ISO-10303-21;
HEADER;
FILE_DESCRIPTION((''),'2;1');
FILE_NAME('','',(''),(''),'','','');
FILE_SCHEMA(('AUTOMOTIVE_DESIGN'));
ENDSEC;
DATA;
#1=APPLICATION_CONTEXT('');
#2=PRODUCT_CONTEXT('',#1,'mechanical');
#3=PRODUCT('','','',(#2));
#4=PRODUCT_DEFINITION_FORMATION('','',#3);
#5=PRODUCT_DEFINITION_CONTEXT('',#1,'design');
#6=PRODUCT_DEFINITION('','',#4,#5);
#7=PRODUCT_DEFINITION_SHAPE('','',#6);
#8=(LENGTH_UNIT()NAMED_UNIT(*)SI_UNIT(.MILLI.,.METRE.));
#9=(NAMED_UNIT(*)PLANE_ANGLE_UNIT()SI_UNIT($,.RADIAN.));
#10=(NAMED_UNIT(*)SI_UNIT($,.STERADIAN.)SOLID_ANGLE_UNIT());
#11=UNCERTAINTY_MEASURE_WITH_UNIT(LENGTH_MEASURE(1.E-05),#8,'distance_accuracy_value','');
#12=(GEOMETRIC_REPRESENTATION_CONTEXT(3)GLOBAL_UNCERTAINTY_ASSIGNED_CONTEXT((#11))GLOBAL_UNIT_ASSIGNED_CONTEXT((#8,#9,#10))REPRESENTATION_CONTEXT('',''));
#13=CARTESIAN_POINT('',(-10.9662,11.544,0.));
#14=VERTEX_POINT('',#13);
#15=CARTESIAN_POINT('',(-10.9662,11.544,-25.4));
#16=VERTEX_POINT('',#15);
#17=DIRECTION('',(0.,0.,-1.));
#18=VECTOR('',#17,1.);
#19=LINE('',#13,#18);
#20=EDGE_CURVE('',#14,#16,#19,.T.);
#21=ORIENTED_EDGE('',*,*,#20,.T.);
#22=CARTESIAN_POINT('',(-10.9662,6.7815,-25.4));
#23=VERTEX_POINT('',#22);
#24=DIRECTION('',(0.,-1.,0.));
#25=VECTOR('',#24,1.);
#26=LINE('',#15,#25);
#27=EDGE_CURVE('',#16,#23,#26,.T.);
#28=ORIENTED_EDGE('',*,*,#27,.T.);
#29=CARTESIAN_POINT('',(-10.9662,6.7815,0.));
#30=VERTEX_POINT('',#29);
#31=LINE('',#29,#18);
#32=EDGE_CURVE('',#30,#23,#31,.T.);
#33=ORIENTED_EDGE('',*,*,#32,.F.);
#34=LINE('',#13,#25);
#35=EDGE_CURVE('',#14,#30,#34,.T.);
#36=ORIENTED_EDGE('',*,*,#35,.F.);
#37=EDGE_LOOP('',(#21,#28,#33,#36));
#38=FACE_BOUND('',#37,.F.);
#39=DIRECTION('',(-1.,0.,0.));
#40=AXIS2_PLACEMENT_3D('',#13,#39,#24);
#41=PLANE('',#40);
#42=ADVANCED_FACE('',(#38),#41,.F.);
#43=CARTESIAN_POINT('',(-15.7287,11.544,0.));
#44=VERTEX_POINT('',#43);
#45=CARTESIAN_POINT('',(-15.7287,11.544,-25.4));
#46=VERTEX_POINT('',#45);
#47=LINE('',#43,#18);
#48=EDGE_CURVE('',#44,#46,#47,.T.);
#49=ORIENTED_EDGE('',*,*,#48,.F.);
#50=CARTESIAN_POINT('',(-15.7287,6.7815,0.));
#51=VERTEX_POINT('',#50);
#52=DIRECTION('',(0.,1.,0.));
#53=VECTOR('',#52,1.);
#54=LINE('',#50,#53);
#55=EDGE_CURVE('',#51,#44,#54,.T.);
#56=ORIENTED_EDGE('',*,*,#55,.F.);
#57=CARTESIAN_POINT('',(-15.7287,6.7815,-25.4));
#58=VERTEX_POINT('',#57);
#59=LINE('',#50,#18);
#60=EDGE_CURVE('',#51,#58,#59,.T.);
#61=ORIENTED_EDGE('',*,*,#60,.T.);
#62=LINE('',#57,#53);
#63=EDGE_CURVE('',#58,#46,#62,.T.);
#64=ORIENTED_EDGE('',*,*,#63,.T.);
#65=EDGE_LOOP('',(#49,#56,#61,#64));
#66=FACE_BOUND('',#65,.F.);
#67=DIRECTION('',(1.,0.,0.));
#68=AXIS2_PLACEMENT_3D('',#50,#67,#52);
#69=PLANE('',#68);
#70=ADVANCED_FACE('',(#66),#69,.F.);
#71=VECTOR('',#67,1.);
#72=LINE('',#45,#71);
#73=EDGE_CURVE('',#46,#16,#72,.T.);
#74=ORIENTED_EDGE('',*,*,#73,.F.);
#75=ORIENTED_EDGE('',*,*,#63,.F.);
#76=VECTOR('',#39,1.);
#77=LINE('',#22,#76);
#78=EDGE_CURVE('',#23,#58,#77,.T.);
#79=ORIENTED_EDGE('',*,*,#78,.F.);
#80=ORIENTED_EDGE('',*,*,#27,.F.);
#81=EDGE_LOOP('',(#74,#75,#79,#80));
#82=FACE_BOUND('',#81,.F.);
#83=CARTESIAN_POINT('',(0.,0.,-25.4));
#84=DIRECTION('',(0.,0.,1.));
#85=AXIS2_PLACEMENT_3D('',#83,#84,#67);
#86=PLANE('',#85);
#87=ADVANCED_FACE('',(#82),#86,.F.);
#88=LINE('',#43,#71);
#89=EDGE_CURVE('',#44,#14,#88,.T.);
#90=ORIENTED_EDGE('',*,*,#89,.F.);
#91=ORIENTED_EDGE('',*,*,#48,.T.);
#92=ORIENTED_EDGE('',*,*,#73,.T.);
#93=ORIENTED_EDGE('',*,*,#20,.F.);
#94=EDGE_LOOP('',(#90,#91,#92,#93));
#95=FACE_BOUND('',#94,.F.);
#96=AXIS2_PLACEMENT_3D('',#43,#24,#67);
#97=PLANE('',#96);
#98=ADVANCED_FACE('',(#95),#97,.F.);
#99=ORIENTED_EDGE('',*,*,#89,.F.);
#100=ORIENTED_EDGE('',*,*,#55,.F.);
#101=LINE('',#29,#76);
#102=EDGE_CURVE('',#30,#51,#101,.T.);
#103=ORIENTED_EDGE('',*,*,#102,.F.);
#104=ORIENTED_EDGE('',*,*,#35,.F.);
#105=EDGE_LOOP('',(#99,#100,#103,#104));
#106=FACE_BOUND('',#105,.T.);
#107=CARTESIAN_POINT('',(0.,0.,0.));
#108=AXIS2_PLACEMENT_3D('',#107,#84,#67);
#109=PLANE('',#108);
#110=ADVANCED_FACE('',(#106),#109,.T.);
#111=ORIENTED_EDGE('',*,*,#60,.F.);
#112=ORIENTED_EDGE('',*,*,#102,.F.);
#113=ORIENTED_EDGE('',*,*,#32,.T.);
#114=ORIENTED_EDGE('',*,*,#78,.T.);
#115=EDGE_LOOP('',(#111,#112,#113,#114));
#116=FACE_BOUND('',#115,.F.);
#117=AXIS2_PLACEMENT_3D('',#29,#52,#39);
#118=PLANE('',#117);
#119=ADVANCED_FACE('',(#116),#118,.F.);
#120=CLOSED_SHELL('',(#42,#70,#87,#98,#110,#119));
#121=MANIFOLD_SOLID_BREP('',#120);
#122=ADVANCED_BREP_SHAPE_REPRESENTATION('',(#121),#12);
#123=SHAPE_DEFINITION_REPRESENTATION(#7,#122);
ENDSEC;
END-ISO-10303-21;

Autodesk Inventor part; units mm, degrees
ref_plane "YZ Plane" through (0, 0, 0) normal (1, 0, 0) x (0, 1, 0)
ref_plane "XZ Plane" through (0, 0, 0) normal (0, 1, 0) x (-1, 0, 0)
ref_plane "XY Plane" through (0, 0, 0) normal (0, 0, 1) x (1, 0, 0)
sketch "Sketch1" plane through (0, 0, 0) normal (0, 0, 1) x (1, 0, 0)
  line L0 (-15.7287, 11.544) -> (-10.9662, 11.544)
  line L1 (-10.9662, 11.544) -> (-10.9662, 6.7815)
  line L2 (-10.9662, 6.7815) -> (-15.7287, 6.7815)
  line L3 (-15.7287, 6.7815) -> (-15.7287, 11.544)
  point P0 (0, 0)
  dimension "d0" = 4.7625
  dimension "d1" = 4.7625
extrude "Extrusion1" add sketch "Sketch1" against normal blind 25.4
properties part number "Ad-hoc 3!16 axle key"
